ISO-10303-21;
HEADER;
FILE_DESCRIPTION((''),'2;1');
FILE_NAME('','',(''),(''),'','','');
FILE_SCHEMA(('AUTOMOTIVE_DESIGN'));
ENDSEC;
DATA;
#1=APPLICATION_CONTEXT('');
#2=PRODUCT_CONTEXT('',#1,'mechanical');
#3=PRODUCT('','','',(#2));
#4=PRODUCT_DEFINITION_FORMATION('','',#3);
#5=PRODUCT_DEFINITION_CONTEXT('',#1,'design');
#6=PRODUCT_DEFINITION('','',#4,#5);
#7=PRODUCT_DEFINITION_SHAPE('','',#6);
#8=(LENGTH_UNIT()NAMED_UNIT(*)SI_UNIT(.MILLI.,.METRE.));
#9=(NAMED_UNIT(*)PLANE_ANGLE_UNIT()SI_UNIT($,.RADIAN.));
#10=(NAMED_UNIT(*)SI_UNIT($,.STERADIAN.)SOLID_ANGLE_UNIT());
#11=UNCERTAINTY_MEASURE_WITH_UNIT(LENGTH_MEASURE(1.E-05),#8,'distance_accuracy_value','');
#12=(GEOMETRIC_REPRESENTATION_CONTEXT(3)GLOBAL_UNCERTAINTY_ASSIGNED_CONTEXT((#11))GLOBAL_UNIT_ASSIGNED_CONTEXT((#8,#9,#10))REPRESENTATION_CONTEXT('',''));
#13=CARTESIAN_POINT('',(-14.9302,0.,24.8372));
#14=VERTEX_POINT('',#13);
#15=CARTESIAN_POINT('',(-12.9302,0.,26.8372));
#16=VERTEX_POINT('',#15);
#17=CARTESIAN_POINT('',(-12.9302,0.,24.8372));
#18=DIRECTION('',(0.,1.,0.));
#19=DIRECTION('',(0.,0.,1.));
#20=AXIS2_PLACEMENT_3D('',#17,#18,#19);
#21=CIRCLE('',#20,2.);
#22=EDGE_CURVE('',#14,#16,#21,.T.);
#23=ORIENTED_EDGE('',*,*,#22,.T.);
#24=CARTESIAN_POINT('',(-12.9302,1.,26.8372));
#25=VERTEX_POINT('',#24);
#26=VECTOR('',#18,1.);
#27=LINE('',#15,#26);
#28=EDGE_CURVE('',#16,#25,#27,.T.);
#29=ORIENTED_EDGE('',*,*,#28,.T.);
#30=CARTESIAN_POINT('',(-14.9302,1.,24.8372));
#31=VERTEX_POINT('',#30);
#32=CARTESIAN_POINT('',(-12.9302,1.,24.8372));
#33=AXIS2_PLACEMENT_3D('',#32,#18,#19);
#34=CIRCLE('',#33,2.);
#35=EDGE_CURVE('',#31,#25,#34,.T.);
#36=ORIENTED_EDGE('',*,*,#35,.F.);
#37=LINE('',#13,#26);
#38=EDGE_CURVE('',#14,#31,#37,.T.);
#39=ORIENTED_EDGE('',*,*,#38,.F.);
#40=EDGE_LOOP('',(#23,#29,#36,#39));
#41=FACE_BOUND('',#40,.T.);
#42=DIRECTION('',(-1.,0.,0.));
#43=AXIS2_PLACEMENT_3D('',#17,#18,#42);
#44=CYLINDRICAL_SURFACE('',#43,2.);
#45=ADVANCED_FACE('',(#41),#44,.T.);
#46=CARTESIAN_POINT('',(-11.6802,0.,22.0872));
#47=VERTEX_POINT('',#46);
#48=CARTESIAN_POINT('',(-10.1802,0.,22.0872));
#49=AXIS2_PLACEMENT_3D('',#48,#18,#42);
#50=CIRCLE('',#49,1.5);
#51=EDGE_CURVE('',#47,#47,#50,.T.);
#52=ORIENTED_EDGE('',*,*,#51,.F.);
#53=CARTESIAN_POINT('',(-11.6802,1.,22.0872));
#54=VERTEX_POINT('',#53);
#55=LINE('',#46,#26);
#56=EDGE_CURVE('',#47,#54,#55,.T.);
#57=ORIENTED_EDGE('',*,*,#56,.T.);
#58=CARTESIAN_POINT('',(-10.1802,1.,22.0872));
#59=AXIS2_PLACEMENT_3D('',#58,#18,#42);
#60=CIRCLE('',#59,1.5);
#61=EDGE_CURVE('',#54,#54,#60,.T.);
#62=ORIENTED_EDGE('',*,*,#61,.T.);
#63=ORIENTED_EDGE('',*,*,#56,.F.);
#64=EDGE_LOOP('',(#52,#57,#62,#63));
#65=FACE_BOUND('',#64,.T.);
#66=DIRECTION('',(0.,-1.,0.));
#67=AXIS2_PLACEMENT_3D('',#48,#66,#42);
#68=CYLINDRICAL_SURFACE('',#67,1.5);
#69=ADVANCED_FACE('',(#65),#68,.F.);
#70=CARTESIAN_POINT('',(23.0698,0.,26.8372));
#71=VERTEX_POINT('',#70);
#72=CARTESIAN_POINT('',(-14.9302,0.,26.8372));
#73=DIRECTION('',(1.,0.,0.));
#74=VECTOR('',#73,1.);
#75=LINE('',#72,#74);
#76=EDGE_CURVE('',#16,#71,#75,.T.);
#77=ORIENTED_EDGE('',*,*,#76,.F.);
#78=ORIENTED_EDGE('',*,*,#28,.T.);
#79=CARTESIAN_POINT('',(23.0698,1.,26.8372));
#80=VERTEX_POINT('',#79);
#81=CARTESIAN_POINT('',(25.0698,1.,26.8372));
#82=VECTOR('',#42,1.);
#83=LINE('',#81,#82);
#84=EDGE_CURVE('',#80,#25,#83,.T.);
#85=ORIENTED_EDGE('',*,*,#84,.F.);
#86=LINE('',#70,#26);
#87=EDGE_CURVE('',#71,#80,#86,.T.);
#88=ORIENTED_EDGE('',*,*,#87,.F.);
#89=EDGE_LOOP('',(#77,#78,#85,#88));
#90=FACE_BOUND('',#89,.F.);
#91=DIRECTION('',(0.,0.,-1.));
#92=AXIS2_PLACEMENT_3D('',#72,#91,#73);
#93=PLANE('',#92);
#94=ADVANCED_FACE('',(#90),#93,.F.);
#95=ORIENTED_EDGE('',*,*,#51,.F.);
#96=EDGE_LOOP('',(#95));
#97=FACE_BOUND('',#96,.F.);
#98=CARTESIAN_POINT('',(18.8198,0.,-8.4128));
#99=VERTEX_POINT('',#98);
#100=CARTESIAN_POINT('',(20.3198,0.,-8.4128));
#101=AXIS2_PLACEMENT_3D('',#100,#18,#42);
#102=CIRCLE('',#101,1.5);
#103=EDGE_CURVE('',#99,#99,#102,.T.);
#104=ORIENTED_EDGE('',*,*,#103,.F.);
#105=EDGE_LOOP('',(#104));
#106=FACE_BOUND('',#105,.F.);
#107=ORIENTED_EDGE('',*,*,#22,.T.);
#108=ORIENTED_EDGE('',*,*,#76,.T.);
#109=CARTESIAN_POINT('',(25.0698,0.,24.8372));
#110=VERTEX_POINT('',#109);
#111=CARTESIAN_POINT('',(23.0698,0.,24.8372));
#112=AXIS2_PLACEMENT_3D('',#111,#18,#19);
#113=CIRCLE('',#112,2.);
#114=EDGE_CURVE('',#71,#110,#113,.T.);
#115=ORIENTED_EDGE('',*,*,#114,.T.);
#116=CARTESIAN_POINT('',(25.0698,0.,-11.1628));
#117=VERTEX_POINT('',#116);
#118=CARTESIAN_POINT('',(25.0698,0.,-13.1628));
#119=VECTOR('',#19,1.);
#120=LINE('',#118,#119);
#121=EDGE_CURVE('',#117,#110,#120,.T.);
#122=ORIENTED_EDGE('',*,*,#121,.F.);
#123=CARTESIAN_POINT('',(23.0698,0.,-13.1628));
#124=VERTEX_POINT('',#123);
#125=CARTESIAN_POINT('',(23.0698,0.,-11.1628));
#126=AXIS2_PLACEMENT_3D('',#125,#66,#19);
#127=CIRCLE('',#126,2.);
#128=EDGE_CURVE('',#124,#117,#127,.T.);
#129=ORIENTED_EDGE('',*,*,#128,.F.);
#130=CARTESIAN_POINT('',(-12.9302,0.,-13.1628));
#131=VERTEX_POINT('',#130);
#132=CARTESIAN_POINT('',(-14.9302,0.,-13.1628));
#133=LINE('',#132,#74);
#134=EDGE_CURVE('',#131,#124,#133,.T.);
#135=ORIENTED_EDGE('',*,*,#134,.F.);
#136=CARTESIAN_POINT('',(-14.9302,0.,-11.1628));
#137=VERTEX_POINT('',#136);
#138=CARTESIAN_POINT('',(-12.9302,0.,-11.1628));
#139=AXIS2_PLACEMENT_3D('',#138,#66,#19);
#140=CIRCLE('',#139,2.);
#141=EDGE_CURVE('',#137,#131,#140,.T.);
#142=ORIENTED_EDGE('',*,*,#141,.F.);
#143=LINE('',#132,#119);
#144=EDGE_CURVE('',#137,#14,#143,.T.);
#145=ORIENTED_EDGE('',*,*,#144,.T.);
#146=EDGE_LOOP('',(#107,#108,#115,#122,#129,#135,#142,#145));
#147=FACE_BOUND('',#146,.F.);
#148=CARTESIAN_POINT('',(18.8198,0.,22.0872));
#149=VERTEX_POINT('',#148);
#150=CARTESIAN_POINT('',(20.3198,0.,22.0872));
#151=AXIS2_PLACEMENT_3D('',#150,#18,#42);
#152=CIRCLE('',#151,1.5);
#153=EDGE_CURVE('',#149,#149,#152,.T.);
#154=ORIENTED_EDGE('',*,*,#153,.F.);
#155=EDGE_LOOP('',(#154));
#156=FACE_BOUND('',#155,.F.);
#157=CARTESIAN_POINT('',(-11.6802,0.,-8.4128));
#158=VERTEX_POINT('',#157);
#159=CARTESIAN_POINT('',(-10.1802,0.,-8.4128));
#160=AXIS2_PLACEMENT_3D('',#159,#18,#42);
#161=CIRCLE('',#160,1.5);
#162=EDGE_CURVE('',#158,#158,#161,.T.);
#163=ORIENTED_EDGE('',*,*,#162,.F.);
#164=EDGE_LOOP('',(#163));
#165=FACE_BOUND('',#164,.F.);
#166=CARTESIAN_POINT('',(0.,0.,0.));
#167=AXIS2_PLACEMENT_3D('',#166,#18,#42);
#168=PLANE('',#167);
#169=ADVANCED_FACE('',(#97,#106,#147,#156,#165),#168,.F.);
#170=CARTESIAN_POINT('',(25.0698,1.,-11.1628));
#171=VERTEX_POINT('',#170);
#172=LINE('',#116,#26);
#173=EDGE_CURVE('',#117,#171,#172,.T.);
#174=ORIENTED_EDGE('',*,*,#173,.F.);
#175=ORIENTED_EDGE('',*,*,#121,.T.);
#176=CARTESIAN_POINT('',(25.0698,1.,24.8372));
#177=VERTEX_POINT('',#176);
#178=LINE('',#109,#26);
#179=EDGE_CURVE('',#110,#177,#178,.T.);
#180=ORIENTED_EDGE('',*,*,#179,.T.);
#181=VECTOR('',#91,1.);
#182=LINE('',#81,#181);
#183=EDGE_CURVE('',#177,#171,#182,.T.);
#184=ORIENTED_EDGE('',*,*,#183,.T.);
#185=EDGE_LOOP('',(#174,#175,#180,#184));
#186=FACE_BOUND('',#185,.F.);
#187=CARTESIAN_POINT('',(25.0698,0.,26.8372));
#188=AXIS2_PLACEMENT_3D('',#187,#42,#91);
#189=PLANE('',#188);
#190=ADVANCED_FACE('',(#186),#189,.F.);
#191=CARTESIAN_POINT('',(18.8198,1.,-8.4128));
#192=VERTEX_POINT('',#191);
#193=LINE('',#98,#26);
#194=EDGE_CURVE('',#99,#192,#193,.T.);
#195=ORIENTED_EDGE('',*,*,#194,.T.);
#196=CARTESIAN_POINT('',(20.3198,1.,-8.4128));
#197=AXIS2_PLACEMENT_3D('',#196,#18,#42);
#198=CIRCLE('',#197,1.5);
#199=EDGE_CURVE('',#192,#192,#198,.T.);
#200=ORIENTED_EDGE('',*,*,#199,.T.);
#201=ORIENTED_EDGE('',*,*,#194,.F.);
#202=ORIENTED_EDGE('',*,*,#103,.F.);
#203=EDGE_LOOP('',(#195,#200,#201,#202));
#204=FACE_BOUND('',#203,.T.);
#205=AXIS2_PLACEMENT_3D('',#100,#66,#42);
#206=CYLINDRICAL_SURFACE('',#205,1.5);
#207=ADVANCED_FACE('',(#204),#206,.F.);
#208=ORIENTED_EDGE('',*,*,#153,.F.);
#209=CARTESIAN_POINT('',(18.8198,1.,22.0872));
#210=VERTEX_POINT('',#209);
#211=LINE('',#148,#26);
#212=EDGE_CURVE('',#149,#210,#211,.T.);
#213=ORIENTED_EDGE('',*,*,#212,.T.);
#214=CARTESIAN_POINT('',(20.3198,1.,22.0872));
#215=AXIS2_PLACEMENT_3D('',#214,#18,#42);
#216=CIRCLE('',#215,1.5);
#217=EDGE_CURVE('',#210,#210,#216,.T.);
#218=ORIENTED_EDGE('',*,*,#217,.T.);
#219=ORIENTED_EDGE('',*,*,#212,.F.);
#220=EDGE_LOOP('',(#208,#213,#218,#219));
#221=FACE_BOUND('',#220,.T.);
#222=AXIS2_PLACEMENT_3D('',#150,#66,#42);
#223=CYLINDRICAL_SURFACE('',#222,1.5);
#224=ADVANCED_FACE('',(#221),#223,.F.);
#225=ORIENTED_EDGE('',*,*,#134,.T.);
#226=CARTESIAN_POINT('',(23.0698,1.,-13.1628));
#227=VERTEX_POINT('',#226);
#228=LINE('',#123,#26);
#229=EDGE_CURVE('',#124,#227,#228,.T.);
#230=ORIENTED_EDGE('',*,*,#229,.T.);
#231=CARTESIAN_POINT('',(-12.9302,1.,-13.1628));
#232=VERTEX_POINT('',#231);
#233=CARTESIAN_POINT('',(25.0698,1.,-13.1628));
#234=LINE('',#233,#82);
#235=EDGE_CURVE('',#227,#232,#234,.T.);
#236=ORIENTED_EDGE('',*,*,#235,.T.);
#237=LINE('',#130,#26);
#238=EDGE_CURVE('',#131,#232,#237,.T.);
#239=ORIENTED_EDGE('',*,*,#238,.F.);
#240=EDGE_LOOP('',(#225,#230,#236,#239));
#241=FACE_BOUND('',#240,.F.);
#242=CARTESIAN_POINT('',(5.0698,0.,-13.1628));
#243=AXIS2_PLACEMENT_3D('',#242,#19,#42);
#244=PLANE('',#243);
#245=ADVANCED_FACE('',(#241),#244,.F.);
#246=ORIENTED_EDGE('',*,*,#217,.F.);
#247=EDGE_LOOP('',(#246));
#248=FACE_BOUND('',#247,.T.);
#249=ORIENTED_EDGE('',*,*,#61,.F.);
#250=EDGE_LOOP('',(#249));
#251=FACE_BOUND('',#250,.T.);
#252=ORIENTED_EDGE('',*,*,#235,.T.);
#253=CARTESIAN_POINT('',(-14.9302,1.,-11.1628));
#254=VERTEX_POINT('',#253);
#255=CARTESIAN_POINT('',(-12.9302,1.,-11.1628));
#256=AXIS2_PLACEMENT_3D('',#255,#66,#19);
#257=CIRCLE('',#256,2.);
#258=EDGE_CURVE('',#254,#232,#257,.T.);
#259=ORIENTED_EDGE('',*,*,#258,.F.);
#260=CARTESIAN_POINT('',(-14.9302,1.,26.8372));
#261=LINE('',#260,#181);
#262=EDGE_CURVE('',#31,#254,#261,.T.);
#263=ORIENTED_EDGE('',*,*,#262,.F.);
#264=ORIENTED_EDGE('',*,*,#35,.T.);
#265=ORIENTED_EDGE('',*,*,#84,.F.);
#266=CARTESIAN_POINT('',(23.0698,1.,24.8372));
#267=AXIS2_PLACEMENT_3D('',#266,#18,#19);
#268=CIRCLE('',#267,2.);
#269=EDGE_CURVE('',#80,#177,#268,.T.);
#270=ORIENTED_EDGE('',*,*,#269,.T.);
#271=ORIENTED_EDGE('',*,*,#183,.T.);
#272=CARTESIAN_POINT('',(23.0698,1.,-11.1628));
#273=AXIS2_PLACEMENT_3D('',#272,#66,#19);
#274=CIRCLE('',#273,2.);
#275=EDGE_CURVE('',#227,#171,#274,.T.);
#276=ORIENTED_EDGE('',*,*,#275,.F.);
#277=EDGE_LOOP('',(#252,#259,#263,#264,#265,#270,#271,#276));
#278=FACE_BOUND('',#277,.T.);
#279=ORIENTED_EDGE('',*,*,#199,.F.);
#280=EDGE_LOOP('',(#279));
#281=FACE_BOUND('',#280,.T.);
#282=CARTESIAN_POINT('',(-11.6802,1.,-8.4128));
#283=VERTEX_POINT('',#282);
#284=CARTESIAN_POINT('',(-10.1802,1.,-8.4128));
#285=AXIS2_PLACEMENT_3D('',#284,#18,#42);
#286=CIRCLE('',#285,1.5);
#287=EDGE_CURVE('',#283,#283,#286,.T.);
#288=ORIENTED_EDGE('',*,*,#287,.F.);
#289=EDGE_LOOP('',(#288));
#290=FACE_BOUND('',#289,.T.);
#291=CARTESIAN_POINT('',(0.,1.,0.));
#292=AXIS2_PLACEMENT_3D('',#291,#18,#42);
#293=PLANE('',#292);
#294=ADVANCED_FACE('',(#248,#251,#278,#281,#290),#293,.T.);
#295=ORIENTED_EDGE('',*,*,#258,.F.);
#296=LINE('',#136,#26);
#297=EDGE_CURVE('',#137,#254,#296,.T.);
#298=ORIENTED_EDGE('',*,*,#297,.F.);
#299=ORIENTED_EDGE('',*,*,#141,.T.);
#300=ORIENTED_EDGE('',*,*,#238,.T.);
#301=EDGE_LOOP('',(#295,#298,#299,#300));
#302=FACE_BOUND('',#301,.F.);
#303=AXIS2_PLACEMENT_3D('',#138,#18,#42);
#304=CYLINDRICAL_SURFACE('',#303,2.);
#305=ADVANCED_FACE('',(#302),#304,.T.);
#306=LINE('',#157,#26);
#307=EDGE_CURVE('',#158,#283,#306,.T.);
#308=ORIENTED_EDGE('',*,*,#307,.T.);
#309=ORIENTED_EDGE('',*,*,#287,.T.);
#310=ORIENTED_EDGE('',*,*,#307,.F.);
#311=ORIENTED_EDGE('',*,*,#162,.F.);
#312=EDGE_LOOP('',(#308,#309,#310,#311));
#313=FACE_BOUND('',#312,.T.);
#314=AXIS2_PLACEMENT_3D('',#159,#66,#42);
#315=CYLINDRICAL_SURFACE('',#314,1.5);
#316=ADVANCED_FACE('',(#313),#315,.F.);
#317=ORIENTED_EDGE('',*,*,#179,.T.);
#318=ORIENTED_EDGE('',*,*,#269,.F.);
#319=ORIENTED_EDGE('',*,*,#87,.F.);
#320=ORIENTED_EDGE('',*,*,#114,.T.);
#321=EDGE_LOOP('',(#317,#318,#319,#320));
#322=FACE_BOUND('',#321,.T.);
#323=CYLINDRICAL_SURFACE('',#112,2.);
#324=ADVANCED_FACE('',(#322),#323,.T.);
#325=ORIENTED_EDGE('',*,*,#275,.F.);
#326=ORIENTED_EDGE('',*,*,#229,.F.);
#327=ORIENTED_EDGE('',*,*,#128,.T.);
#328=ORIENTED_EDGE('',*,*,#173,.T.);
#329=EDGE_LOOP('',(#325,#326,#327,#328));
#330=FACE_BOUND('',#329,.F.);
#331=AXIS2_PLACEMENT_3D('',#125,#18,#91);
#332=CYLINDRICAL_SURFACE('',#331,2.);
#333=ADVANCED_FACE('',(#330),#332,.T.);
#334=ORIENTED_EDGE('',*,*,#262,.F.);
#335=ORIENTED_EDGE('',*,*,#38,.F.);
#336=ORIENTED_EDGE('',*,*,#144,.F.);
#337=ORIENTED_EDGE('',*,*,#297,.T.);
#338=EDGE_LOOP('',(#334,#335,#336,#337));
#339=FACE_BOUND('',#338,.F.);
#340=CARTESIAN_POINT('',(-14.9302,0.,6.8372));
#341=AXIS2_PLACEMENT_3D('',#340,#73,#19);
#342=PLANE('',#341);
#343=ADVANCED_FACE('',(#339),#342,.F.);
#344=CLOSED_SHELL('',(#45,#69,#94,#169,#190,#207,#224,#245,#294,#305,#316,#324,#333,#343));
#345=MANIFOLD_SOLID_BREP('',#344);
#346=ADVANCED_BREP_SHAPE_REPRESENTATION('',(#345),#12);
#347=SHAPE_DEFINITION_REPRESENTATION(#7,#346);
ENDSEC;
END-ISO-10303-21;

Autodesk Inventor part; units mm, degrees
ref_plane "YZ Plane" through (0, 0, 0) normal (1, 0, 0) x (0, 1, 0)
ref_plane "XZ Plane" through (0, 0, 0) normal (0, 1, 0) x (-1, 0, 0)
ref_plane "XY Plane" through (0, 0, 0) normal (0, 0, 1) x (1, 0, 0)
sketch "Sketch1" plane through (0, 0, 0) normal (0, 1, 0) x (-1, 0, 0)
  line L0 (14.9302, 26.8372) -> (-25.0698, 26.8372)
  line L1 (-25.0698, 26.8372) -> (-25.0698, -13.1628)
  line L2 (-25.0698, -13.1628) -> (14.9302, -13.1628)
  line L3 (14.9302, -13.1628) -> (14.9302, 26.8372)
  line L4 (-5.0698, 26.8372) -> (-5.0698, -13.1628)
  line L5 (14.9302, 6.8372) -> (-25.0698, 6.8372)
  circle A0 centre (10.1802, -8.4128) radius 1.5
  circle A1 centre (10.1802, 22.0872) radius 1.5
  circle A2 centre (-20.3198, 22.0872) radius 1.5
  circle A3 centre (-20.3198, -8.4128) radius 1.5
  point P0 (0, 0)
  dimension "d0" = 40
  dimension "d1" = 40
  dimension "d2" = 3
  dimension "d3" = 3
  dimension "d4" = 3
  dimension "d5" = 3
  dimension "d6" = 30.5
  dimension "d7" = 30.5
  dimension "d8" = 30.5
  dimension "d9" = 30.5
  dimension "d10" = 15.25
  dimension "d11" = 15.25
  dimension "d12" = 15.25
  dimension "d13" = 15.25
extrude "Extrusion1" add sketch "Sketch1" along normal blind 1
fillet "Fillet1" radius 2 4 edges at (-14.9302, 0.5, 26.8372) (25.0698, 0.5, 26.8372) (25.0698, 0.5, -13.1628) (-14.9302, 0.5, -13.1628)
properties part number "CHIP"
